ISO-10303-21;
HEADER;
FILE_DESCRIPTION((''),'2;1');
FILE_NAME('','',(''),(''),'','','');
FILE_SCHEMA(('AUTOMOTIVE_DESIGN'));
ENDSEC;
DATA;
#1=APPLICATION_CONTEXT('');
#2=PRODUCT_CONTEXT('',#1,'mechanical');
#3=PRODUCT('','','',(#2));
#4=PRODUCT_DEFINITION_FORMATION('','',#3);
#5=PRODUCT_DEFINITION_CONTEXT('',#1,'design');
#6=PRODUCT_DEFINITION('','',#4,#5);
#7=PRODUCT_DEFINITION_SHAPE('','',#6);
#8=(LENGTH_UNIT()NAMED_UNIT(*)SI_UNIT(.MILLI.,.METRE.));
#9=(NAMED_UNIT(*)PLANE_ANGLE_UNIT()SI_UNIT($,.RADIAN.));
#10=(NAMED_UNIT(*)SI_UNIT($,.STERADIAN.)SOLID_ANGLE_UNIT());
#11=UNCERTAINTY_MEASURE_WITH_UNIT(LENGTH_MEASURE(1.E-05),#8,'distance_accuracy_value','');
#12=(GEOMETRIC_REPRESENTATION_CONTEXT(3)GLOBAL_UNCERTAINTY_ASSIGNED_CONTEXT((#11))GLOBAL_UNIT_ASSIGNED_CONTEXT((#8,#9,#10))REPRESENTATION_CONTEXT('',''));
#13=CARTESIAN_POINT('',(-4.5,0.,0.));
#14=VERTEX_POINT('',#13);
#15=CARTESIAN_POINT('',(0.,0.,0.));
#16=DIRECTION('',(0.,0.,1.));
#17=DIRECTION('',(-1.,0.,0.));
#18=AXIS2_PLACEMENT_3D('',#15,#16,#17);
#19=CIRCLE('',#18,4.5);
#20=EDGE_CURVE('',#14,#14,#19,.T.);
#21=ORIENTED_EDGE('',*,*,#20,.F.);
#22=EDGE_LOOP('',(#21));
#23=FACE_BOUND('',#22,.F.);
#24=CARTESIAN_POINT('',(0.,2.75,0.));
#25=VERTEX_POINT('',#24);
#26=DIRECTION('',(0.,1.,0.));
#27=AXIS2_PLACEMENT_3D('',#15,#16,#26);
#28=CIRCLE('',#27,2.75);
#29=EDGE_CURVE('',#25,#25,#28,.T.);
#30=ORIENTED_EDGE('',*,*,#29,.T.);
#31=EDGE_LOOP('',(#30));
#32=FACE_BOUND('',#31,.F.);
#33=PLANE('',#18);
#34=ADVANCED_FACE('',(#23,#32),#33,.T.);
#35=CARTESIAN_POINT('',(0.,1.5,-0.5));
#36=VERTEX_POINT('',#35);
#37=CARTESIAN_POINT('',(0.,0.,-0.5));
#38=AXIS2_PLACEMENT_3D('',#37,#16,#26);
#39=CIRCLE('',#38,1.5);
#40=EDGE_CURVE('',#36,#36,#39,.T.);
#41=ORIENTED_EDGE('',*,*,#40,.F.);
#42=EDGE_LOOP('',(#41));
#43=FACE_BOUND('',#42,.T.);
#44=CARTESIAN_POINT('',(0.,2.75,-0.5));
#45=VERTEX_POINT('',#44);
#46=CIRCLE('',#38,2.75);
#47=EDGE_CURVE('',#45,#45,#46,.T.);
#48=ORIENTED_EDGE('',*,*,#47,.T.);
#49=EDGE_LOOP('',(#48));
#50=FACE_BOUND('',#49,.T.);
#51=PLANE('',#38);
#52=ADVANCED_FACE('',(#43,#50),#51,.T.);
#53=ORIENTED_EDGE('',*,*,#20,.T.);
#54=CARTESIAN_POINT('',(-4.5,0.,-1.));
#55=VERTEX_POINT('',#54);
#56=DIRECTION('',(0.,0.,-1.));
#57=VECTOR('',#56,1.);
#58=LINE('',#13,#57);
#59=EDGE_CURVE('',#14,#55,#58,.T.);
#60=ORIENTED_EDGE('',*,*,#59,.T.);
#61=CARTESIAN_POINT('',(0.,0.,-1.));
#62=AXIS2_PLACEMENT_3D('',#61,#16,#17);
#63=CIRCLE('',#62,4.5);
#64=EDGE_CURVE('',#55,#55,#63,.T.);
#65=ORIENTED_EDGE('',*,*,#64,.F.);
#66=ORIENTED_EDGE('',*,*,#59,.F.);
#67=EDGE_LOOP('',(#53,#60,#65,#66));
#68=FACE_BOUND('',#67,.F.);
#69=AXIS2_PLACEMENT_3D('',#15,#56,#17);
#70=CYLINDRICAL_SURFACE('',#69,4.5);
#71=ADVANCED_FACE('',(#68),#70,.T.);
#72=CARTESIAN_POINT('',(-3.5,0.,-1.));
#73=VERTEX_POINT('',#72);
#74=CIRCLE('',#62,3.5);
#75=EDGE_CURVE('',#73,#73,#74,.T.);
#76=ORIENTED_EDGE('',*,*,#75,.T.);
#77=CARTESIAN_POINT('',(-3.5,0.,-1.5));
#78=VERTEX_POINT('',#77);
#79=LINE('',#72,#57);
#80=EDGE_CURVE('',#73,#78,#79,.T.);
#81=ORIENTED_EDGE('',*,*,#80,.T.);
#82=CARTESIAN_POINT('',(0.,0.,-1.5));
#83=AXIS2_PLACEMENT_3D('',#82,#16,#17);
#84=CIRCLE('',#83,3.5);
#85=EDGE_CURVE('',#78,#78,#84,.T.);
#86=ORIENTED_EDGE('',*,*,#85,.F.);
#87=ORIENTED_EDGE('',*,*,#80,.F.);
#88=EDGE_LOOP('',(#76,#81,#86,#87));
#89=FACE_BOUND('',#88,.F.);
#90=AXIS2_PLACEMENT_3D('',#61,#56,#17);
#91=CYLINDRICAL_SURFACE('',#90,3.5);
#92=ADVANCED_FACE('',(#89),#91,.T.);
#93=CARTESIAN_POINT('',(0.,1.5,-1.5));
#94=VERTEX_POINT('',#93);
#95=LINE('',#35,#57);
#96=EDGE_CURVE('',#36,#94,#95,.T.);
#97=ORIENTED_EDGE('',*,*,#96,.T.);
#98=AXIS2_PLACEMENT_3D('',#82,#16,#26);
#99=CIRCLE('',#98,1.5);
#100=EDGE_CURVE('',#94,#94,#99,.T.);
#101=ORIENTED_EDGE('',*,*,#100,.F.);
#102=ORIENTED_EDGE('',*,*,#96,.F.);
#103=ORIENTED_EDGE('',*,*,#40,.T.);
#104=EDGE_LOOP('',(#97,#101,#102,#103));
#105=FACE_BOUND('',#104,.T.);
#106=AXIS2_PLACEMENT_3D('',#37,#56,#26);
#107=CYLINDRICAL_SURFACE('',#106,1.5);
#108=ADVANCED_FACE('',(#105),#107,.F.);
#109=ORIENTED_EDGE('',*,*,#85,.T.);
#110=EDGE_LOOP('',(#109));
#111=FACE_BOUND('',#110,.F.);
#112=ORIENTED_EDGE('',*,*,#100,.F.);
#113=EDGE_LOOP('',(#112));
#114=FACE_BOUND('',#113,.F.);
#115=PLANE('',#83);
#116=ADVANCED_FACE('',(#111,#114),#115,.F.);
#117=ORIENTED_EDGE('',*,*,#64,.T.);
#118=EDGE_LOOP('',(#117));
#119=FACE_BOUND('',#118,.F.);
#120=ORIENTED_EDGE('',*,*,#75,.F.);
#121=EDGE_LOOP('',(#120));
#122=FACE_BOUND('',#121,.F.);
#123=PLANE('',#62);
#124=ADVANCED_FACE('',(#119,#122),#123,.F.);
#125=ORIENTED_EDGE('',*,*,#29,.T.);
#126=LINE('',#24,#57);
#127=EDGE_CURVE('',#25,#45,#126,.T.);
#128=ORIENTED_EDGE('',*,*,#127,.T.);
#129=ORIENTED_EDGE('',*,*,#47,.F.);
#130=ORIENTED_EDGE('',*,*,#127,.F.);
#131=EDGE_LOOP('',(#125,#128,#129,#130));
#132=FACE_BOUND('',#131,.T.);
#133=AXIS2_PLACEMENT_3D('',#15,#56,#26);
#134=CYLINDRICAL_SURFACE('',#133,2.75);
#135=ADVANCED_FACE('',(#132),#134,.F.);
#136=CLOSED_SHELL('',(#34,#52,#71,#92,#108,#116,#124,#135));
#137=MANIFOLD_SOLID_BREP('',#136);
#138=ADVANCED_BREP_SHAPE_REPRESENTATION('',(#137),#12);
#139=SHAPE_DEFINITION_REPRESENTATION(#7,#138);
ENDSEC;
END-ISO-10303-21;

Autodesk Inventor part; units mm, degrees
ref_plane "YZ Plane" through (0, 0, 0) normal (1, 0, 0) x (0, 1, 0)
ref_plane "XZ Plane" through (0, 0, 0) normal (0, 1, 0) x (-1, 0, 0)
ref_plane "XY Plane" through (0, 0, 0) normal (0, 0, 1) x (1, 0, 0)
sketch "Skizze1" plane through (0, 0, 0) normal (0, 1, 0) x (-1, 0, 0)
  line L0 (0, 0) -> (4.5, 0)
  line L1 (4.5, 0) -> (4.5, -1)
  line L2 (4.5, -1) -> (3.5, -1)
  line L3 (3.5, -1) -> (3.5, -1.5)
  line L4 (3.5, -1.5) -> (0, -1.5)
  line L5 (0, -1.5) -> (0, 0)
  point P0 (4.5, -0.5)
  dimension "d0" = 1.5
  dimension "d1" = 0.5
  dimension "d2" = 9
  dimension "d3" = 7
revolve "Umdrehung1" add sketch "Skizze1" angle 360 about axis through (0, 0, -1.5) along (0, 0, 1)
sketch "Skizze3" plane through (0, 0, 0) normal (1, 0, 0) x (0, 1, 0)
  line L0 (0, 0) -> (2.75, 0)
  line L1 (4.5, 0) -> (-4.5, 0) projected
  line L2 (2.75, 0) -> (2.75, -0.5)
  line L3 (2.75, -0.5) -> (1.5, -0.5)
  line L4 (1.5, -0.5) -> (1.5, -1.5)
  line L5 (1.5, -1.5) -> (0, -1.5)
  line L6 (0, -1.5) -> (0, 0)
  line L7 (3.5, -1.5) -> (-3.5, -1.5) projected
  dimension "d5" = 3
  dimension "d6" = 5.5
  dimension "d7" = 0.5
revolve "Umdrehung2" cut sketch "Skizze3" angle 360 about axis through (0, 0, -1.5) along (0, 0, 1)
properties part number "Miederhalter_ventilfeder"
